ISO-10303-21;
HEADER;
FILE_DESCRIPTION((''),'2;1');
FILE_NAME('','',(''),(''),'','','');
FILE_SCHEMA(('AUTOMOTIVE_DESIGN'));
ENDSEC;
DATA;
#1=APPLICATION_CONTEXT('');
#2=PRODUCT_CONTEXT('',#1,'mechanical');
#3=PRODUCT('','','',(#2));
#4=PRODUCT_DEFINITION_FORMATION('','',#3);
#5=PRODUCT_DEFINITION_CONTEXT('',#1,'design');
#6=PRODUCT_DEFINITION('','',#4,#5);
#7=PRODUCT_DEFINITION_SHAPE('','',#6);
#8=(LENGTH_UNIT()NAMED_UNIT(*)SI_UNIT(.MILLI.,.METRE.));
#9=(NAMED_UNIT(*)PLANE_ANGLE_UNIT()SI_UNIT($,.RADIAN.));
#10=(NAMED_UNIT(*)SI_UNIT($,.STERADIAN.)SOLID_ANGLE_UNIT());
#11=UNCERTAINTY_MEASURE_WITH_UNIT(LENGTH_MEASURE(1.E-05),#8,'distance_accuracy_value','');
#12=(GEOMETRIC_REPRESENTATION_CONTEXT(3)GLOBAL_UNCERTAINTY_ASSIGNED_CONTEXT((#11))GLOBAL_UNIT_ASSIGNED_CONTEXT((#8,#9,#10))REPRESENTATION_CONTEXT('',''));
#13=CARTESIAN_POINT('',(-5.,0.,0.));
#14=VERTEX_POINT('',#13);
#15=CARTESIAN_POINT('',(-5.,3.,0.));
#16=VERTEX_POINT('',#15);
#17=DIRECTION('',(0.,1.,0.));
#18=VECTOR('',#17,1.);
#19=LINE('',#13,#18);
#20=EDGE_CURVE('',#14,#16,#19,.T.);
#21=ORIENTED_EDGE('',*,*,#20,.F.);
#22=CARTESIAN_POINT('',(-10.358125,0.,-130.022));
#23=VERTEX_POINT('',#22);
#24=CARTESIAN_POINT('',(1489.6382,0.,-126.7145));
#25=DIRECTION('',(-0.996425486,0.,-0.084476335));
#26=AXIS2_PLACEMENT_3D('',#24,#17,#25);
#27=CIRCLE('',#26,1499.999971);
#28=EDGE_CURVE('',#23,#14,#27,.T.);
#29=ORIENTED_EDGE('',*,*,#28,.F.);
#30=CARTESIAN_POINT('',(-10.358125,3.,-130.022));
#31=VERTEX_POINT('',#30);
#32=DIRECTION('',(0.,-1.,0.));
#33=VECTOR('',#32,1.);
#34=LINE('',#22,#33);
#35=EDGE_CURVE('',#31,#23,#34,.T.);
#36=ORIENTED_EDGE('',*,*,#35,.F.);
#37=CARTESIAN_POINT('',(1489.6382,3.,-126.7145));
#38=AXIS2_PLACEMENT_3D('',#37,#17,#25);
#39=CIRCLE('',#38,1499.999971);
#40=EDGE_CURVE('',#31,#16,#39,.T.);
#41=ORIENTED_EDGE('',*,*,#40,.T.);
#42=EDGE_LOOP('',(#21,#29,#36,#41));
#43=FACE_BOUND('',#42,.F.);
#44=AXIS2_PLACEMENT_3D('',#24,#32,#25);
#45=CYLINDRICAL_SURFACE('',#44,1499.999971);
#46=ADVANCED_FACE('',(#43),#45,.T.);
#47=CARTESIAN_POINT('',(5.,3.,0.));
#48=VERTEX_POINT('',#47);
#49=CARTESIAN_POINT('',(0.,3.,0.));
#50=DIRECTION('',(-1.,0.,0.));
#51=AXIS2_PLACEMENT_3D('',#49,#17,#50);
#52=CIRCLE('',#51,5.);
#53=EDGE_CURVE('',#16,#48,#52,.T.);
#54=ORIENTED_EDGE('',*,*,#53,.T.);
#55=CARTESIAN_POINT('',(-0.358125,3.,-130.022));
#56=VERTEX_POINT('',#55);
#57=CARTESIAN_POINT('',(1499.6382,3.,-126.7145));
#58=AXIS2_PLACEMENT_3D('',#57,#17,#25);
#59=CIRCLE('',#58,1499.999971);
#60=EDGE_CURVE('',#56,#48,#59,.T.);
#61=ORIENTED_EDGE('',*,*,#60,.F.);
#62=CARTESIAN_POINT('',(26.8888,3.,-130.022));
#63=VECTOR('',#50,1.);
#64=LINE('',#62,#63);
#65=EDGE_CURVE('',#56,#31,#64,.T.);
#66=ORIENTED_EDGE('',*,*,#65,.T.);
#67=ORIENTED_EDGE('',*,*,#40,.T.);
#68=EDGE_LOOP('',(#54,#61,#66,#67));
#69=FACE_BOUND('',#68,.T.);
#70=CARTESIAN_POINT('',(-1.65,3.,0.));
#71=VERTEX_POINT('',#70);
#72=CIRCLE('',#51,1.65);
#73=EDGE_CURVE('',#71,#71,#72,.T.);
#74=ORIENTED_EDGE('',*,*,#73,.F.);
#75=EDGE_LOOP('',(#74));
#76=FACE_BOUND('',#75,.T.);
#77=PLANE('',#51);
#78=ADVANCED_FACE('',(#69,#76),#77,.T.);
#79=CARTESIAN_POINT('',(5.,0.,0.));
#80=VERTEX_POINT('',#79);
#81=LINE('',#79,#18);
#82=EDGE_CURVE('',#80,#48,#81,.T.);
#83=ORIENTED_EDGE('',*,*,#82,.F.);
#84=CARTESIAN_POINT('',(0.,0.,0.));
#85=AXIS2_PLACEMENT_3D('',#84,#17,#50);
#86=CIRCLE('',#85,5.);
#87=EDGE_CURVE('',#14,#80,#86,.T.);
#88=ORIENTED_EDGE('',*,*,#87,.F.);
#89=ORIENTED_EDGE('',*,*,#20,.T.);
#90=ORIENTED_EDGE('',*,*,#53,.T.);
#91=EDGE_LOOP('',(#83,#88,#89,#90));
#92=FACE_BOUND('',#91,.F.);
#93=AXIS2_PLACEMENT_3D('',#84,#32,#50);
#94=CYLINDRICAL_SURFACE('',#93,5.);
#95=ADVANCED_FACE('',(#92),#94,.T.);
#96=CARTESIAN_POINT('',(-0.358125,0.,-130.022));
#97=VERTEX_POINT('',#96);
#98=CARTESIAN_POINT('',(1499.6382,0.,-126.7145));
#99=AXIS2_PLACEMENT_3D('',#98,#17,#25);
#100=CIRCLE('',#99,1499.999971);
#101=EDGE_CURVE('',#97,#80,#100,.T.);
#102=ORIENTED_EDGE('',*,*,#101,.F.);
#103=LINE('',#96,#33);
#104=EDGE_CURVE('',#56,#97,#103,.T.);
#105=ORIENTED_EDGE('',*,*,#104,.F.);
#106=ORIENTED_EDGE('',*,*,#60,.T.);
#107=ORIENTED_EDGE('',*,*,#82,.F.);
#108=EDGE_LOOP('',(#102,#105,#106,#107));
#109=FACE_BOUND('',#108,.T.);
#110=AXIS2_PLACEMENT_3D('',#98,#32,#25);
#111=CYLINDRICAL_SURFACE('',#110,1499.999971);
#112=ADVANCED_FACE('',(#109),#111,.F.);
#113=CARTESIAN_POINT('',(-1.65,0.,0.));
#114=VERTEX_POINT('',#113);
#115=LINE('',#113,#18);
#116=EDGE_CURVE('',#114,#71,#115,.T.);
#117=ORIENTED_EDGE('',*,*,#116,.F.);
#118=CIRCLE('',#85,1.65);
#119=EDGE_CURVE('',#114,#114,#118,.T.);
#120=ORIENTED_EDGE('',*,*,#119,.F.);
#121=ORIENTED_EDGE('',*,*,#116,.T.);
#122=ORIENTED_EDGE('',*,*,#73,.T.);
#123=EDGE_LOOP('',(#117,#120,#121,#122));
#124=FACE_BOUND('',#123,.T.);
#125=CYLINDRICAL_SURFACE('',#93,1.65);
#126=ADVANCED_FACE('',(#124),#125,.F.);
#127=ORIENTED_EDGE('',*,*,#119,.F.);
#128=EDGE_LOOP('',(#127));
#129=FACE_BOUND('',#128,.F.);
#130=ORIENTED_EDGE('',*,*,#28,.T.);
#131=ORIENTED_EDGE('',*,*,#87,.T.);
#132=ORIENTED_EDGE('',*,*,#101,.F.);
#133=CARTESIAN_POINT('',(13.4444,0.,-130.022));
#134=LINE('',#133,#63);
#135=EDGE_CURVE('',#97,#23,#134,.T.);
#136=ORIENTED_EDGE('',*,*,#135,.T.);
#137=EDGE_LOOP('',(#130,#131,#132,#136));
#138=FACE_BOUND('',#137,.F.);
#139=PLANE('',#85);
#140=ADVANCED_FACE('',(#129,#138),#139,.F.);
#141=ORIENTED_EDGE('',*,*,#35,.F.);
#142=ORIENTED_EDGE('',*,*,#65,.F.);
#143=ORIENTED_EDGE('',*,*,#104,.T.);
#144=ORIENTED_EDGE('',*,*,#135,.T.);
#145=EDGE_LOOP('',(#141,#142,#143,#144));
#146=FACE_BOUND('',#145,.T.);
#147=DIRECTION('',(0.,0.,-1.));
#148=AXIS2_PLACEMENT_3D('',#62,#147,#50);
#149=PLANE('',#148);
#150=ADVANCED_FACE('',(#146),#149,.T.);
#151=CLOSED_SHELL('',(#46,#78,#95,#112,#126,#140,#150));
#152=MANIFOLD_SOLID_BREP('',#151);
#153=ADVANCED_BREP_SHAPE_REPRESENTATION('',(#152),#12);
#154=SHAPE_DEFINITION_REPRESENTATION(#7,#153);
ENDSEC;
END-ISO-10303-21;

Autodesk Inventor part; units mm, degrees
ref_plane "YZ Plane" through (0, 0, 0) normal (1, 0, 0) x (0, 1, 0)
ref_plane "XZ Plane" through (0, 0, 0) normal (0, 1, 0) x (-1, 0, 0)
ref_plane "XY Plane" through (0, 0, 0) normal (0, 0, 1) x (1, 0, 0)
sketch "Sketch1" plane through (0, 0, 0) normal (0, 1, 0) x (-1, 0, 0)
  line L0 (0, 0) -> (0, -253.429) construction
  line L1 (5, 0) -> (5, -253.429)
  line L2 (-5, -253.429) -> (-5, 0)
  arc A0 (5, 0) -> (-5, 0) centre (0, 0) ccw
  arc A1 (-5, -253.429) -> (5, -253.429) centre (0, -253.429) ccw
  circle A2 centre (0, 0) radius 1.65
  circle A3 centre (0, -253.429) radius 1.65
  arc A4 (5, -253.429) -> (5, 0) centre (-1489.6382, -126.7145) ccw
  arc A5 (-5, -253.429) -> (-5, 0) centre (-1499.6382, -126.7145) ccw
  point P0 (0, -126.7145)
  dimension "d0" = 3.3
  dimension "d1" = 3.3
  dimension "d2" = 10
  dimension "d3" = 253.429
  dimension "d16" = 1500
  dimension "d17" = 1500
extrude "Extrusion1" add sketch "Sketch1" along normal blind 3 contours A4 L1 | L1 A1 A5 A0
sketch "Sketch2" plane through (0, 3, 0) normal (0, 1, 0) x (1, 0, 0)
  line L0 (-27.9396, 271.9091) -> (26.8888, 271.9091)
  line L1 (26.8888, 271.9091) -> (26.8888, 130.022)
  line L2 (26.8888, 130.022) -> (-27.9396, 130.022)
  line L3 (-27.9396, 130.022) -> (-27.9396, 271.9091)
  line L4 (-79.0634, 296.7301) -> (75.0489, 296.7301)
  line L5 (75.0489, 296.7301) -> (75.0489, -47.4295)
  line L6 (75.0489, -47.4295) -> (-79.0634, -47.4295)
  line L7 (-79.0634, -47.4295) -> (-79.0634, 296.7301)
  point P0 (0, 0)
extrude "Extrusion2" cut sketch "Sketch2" against normal blind 10 contours L0 L1 L2 L3
properties part number "Part_8_p1"
